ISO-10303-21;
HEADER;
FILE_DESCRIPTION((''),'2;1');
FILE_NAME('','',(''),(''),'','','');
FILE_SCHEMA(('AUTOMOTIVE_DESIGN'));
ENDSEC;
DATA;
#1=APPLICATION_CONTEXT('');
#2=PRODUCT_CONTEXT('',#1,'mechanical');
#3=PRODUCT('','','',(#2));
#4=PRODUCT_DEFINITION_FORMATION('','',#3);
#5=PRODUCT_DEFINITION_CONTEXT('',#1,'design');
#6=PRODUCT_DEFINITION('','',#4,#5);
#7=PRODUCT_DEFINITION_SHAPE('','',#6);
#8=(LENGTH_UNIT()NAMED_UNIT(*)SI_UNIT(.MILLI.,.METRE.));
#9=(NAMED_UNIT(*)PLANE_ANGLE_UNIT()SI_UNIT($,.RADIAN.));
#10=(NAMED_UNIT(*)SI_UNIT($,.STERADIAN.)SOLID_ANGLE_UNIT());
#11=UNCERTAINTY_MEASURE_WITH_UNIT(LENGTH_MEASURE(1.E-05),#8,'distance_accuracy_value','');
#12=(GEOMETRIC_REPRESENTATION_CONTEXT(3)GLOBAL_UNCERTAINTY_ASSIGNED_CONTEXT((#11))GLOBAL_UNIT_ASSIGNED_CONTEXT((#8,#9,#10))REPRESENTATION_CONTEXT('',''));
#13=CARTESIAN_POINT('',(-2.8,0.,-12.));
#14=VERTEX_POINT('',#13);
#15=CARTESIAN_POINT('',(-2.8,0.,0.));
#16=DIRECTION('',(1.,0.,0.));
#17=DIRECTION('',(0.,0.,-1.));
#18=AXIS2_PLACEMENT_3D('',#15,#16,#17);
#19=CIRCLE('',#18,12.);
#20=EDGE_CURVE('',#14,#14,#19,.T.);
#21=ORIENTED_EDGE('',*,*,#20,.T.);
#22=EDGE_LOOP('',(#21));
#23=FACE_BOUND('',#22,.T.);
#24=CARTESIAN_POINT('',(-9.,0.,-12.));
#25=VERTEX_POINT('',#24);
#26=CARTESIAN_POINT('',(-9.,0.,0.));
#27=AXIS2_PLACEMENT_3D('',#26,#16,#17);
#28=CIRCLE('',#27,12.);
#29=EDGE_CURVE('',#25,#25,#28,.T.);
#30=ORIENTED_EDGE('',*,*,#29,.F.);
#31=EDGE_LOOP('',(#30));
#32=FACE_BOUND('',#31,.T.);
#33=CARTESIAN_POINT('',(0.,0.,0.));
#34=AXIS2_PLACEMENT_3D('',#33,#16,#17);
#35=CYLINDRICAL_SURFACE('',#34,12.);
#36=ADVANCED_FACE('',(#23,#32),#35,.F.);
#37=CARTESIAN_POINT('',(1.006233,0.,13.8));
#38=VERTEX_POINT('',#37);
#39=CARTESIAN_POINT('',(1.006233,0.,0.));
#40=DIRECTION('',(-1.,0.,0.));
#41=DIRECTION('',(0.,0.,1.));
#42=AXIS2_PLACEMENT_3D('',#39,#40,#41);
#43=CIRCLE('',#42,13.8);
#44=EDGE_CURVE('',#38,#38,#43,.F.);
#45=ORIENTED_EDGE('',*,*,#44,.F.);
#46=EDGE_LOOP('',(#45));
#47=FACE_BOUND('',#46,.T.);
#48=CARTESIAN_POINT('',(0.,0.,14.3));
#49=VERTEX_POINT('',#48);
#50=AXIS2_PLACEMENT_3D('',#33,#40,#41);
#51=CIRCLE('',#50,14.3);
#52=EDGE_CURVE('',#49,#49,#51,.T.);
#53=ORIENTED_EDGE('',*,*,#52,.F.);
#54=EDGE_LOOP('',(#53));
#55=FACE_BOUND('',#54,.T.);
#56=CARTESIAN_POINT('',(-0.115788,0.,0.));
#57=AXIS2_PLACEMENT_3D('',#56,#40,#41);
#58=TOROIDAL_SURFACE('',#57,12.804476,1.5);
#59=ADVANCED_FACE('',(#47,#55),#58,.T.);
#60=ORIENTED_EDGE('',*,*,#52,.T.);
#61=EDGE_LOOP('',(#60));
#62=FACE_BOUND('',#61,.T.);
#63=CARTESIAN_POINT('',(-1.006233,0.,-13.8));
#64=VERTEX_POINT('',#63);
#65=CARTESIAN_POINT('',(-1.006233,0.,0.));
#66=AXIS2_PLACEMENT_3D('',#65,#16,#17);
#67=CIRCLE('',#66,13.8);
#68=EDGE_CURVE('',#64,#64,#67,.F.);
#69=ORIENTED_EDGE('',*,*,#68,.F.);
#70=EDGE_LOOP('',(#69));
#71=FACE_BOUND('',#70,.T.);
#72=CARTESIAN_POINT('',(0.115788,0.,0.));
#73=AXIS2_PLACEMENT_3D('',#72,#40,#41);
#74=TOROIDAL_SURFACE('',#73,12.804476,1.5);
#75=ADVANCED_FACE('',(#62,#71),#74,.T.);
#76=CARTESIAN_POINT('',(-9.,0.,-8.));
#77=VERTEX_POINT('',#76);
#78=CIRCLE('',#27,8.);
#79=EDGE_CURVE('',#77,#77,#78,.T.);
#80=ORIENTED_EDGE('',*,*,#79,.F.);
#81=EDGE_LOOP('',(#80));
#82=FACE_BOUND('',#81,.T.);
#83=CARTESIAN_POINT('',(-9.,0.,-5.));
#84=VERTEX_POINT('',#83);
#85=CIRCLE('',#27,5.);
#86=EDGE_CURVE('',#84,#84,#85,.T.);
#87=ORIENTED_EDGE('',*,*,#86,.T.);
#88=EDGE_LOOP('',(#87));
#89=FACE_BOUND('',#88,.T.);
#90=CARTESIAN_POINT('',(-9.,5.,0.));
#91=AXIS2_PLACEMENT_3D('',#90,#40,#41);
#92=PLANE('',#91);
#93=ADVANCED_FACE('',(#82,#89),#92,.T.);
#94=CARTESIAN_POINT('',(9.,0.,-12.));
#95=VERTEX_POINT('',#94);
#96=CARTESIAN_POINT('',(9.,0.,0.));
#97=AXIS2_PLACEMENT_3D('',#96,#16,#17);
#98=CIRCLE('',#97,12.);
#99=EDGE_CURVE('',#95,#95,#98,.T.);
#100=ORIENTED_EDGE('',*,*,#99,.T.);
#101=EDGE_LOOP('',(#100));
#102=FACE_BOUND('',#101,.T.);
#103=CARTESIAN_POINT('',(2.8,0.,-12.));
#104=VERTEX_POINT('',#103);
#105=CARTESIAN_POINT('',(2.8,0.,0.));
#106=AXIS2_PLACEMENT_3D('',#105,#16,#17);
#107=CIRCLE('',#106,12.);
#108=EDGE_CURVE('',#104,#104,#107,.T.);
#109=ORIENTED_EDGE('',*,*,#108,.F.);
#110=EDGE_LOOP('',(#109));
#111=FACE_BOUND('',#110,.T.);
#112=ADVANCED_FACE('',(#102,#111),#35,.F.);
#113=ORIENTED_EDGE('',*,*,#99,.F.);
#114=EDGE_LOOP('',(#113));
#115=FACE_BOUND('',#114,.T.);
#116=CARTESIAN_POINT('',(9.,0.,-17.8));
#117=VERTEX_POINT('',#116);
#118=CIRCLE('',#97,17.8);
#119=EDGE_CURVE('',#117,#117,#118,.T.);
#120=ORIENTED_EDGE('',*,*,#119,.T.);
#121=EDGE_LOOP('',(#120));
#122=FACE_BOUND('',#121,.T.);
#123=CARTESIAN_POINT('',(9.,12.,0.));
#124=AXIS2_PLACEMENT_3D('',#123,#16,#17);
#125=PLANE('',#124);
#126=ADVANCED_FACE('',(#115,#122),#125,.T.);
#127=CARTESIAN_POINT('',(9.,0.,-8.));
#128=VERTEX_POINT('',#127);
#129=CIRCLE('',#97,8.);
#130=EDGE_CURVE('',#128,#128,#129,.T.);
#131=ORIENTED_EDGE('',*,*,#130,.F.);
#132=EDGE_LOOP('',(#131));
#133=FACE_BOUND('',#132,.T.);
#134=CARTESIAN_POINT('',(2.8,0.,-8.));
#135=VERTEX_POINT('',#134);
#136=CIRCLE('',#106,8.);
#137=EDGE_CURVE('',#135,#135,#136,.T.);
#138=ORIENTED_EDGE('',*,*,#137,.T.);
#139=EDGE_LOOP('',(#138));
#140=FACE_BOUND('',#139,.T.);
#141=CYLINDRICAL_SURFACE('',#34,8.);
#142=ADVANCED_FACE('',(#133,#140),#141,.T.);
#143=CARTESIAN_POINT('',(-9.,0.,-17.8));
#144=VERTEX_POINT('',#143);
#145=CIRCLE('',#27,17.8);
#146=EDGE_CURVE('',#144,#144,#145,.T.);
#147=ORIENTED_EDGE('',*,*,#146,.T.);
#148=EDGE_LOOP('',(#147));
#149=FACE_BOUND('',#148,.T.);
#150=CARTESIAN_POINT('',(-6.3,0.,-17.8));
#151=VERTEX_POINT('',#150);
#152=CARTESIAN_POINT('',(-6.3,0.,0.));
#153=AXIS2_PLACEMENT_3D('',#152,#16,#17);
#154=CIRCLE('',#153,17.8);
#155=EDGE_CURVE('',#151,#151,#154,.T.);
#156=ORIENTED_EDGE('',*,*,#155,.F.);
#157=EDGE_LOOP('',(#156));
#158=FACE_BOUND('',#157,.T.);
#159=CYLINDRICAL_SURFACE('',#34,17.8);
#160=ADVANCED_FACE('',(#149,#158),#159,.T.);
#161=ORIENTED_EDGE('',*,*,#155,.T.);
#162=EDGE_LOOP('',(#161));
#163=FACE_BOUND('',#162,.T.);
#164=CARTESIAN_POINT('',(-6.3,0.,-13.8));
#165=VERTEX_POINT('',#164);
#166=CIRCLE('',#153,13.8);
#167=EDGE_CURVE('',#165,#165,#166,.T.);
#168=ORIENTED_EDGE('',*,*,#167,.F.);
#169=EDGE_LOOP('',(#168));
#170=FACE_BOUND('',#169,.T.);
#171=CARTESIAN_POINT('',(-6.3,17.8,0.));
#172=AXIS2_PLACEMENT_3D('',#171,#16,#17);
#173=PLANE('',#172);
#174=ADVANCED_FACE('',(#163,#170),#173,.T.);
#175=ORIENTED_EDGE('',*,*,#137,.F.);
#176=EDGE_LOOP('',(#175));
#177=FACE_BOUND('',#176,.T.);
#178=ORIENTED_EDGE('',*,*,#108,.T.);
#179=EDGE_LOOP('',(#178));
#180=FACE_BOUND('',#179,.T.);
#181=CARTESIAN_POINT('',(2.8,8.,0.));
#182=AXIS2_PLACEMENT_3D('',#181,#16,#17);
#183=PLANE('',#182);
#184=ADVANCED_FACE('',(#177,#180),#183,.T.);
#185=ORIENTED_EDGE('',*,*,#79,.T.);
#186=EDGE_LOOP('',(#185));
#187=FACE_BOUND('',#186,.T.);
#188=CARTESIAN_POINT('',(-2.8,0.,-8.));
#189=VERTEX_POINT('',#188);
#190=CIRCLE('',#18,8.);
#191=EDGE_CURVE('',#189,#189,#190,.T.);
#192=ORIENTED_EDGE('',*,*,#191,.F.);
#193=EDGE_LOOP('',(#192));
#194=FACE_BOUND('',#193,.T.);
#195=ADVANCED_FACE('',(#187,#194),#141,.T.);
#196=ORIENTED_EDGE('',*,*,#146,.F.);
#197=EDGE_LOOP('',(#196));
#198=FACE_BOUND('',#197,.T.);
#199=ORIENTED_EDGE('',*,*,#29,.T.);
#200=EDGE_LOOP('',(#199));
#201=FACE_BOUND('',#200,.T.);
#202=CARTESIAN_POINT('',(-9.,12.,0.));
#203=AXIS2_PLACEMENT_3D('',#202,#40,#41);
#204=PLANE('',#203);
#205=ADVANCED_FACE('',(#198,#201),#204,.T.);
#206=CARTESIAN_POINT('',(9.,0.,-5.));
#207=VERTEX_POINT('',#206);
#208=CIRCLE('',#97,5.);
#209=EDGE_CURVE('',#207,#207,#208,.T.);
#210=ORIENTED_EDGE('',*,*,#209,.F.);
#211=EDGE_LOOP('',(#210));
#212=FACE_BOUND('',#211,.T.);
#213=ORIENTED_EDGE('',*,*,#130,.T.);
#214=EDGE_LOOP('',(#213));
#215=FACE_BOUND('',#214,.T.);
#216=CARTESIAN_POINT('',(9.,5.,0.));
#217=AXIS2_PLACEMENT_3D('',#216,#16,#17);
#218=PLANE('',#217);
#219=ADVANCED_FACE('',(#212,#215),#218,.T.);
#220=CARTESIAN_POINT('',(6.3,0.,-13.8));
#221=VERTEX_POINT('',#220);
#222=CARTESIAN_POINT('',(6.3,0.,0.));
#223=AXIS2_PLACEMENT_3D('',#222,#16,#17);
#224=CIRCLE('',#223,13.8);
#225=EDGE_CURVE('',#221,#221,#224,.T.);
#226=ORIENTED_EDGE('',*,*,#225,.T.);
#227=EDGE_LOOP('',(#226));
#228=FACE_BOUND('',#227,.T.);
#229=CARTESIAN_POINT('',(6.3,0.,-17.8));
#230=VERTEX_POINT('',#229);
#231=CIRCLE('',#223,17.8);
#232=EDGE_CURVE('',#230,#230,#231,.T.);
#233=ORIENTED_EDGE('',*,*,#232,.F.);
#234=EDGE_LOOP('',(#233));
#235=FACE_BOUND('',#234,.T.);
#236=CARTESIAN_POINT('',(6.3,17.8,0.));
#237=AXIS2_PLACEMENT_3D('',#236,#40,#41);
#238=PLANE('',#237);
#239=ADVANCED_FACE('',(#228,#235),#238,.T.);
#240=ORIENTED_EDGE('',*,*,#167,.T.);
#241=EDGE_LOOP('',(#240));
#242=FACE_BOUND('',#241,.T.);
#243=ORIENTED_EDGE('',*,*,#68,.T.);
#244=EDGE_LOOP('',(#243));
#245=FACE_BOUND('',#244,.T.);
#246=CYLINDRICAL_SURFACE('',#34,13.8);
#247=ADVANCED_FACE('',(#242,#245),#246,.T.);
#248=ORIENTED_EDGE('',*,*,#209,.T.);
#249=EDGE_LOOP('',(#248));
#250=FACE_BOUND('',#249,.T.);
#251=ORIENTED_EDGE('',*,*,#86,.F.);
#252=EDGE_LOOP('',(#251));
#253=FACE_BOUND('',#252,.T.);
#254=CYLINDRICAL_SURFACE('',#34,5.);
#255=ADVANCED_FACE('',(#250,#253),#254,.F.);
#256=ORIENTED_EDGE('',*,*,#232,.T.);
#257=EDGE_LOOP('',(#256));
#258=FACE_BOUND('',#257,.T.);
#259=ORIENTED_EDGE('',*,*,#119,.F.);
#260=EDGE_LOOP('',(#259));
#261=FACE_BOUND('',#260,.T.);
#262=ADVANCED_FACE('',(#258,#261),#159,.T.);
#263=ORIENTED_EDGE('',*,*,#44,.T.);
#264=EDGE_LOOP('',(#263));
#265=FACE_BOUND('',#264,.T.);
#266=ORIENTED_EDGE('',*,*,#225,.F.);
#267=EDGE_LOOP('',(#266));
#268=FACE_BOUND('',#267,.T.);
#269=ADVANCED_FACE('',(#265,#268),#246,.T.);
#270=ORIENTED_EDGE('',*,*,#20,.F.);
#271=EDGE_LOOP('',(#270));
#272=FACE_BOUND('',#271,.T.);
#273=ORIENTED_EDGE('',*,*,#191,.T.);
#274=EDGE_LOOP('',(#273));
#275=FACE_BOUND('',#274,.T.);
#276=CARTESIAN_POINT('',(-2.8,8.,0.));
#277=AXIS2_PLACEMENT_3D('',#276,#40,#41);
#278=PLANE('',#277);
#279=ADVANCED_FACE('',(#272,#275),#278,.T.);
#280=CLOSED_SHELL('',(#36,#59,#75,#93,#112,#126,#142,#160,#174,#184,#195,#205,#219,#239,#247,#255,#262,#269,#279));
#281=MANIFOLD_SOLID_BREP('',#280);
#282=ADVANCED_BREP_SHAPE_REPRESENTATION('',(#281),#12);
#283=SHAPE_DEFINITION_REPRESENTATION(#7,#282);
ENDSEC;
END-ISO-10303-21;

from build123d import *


with BuildPart() as part:
    # Эскиз1 → Повернуть1 (revolve)
    with BuildSketch(Plane.XY, mode=Mode.PRIVATE) as revolve_1_sk:
        Polygon((-9, 5), (9, 5), (9, 8), (2.8, 8), (2.8, 12), (9, 12), (9, 17.8), (6.3, 17.8), (6.3, 13.8), (1.3, 13.8), (-1.3, 13.8), (-6.3, 13.8), (-6.3, 17.8), (-9, 17.8), (-9, 12), (-2.8, 12), (-2.8, 8), (-9, 8), align=None)
    revolve(revolve_1_sk.sketch.rotate(Axis((0, 0, 0), (-1, 0, 0)), 90), axis=Axis((0, 0, 0), (-1, 0, 0)))

    # Эскиз2 → Повернуть2 (revolve)
    with BuildSketch(Plane.XY, mode=Mode.PRIVATE) as revolve_2_sk:
        with BuildLine():
            Line((-1.3, 13.3), (1.3, 13.3))
            ThreePointArc((1.3, 13.3), (0.798778164, 13.993411613), (0, 14.3))
            ThreePointArc((0, 14.3), (-0.798778164, 13.993411613), (-1.3, 13.3))
        make_face()
    revolve(revolve_2_sk.sketch.rotate(Axis((0, 0, 0), (1, 0, 0)), 270), axis=Axis((0, 0, 0), (1, 0, 0)))


solid = part.part
